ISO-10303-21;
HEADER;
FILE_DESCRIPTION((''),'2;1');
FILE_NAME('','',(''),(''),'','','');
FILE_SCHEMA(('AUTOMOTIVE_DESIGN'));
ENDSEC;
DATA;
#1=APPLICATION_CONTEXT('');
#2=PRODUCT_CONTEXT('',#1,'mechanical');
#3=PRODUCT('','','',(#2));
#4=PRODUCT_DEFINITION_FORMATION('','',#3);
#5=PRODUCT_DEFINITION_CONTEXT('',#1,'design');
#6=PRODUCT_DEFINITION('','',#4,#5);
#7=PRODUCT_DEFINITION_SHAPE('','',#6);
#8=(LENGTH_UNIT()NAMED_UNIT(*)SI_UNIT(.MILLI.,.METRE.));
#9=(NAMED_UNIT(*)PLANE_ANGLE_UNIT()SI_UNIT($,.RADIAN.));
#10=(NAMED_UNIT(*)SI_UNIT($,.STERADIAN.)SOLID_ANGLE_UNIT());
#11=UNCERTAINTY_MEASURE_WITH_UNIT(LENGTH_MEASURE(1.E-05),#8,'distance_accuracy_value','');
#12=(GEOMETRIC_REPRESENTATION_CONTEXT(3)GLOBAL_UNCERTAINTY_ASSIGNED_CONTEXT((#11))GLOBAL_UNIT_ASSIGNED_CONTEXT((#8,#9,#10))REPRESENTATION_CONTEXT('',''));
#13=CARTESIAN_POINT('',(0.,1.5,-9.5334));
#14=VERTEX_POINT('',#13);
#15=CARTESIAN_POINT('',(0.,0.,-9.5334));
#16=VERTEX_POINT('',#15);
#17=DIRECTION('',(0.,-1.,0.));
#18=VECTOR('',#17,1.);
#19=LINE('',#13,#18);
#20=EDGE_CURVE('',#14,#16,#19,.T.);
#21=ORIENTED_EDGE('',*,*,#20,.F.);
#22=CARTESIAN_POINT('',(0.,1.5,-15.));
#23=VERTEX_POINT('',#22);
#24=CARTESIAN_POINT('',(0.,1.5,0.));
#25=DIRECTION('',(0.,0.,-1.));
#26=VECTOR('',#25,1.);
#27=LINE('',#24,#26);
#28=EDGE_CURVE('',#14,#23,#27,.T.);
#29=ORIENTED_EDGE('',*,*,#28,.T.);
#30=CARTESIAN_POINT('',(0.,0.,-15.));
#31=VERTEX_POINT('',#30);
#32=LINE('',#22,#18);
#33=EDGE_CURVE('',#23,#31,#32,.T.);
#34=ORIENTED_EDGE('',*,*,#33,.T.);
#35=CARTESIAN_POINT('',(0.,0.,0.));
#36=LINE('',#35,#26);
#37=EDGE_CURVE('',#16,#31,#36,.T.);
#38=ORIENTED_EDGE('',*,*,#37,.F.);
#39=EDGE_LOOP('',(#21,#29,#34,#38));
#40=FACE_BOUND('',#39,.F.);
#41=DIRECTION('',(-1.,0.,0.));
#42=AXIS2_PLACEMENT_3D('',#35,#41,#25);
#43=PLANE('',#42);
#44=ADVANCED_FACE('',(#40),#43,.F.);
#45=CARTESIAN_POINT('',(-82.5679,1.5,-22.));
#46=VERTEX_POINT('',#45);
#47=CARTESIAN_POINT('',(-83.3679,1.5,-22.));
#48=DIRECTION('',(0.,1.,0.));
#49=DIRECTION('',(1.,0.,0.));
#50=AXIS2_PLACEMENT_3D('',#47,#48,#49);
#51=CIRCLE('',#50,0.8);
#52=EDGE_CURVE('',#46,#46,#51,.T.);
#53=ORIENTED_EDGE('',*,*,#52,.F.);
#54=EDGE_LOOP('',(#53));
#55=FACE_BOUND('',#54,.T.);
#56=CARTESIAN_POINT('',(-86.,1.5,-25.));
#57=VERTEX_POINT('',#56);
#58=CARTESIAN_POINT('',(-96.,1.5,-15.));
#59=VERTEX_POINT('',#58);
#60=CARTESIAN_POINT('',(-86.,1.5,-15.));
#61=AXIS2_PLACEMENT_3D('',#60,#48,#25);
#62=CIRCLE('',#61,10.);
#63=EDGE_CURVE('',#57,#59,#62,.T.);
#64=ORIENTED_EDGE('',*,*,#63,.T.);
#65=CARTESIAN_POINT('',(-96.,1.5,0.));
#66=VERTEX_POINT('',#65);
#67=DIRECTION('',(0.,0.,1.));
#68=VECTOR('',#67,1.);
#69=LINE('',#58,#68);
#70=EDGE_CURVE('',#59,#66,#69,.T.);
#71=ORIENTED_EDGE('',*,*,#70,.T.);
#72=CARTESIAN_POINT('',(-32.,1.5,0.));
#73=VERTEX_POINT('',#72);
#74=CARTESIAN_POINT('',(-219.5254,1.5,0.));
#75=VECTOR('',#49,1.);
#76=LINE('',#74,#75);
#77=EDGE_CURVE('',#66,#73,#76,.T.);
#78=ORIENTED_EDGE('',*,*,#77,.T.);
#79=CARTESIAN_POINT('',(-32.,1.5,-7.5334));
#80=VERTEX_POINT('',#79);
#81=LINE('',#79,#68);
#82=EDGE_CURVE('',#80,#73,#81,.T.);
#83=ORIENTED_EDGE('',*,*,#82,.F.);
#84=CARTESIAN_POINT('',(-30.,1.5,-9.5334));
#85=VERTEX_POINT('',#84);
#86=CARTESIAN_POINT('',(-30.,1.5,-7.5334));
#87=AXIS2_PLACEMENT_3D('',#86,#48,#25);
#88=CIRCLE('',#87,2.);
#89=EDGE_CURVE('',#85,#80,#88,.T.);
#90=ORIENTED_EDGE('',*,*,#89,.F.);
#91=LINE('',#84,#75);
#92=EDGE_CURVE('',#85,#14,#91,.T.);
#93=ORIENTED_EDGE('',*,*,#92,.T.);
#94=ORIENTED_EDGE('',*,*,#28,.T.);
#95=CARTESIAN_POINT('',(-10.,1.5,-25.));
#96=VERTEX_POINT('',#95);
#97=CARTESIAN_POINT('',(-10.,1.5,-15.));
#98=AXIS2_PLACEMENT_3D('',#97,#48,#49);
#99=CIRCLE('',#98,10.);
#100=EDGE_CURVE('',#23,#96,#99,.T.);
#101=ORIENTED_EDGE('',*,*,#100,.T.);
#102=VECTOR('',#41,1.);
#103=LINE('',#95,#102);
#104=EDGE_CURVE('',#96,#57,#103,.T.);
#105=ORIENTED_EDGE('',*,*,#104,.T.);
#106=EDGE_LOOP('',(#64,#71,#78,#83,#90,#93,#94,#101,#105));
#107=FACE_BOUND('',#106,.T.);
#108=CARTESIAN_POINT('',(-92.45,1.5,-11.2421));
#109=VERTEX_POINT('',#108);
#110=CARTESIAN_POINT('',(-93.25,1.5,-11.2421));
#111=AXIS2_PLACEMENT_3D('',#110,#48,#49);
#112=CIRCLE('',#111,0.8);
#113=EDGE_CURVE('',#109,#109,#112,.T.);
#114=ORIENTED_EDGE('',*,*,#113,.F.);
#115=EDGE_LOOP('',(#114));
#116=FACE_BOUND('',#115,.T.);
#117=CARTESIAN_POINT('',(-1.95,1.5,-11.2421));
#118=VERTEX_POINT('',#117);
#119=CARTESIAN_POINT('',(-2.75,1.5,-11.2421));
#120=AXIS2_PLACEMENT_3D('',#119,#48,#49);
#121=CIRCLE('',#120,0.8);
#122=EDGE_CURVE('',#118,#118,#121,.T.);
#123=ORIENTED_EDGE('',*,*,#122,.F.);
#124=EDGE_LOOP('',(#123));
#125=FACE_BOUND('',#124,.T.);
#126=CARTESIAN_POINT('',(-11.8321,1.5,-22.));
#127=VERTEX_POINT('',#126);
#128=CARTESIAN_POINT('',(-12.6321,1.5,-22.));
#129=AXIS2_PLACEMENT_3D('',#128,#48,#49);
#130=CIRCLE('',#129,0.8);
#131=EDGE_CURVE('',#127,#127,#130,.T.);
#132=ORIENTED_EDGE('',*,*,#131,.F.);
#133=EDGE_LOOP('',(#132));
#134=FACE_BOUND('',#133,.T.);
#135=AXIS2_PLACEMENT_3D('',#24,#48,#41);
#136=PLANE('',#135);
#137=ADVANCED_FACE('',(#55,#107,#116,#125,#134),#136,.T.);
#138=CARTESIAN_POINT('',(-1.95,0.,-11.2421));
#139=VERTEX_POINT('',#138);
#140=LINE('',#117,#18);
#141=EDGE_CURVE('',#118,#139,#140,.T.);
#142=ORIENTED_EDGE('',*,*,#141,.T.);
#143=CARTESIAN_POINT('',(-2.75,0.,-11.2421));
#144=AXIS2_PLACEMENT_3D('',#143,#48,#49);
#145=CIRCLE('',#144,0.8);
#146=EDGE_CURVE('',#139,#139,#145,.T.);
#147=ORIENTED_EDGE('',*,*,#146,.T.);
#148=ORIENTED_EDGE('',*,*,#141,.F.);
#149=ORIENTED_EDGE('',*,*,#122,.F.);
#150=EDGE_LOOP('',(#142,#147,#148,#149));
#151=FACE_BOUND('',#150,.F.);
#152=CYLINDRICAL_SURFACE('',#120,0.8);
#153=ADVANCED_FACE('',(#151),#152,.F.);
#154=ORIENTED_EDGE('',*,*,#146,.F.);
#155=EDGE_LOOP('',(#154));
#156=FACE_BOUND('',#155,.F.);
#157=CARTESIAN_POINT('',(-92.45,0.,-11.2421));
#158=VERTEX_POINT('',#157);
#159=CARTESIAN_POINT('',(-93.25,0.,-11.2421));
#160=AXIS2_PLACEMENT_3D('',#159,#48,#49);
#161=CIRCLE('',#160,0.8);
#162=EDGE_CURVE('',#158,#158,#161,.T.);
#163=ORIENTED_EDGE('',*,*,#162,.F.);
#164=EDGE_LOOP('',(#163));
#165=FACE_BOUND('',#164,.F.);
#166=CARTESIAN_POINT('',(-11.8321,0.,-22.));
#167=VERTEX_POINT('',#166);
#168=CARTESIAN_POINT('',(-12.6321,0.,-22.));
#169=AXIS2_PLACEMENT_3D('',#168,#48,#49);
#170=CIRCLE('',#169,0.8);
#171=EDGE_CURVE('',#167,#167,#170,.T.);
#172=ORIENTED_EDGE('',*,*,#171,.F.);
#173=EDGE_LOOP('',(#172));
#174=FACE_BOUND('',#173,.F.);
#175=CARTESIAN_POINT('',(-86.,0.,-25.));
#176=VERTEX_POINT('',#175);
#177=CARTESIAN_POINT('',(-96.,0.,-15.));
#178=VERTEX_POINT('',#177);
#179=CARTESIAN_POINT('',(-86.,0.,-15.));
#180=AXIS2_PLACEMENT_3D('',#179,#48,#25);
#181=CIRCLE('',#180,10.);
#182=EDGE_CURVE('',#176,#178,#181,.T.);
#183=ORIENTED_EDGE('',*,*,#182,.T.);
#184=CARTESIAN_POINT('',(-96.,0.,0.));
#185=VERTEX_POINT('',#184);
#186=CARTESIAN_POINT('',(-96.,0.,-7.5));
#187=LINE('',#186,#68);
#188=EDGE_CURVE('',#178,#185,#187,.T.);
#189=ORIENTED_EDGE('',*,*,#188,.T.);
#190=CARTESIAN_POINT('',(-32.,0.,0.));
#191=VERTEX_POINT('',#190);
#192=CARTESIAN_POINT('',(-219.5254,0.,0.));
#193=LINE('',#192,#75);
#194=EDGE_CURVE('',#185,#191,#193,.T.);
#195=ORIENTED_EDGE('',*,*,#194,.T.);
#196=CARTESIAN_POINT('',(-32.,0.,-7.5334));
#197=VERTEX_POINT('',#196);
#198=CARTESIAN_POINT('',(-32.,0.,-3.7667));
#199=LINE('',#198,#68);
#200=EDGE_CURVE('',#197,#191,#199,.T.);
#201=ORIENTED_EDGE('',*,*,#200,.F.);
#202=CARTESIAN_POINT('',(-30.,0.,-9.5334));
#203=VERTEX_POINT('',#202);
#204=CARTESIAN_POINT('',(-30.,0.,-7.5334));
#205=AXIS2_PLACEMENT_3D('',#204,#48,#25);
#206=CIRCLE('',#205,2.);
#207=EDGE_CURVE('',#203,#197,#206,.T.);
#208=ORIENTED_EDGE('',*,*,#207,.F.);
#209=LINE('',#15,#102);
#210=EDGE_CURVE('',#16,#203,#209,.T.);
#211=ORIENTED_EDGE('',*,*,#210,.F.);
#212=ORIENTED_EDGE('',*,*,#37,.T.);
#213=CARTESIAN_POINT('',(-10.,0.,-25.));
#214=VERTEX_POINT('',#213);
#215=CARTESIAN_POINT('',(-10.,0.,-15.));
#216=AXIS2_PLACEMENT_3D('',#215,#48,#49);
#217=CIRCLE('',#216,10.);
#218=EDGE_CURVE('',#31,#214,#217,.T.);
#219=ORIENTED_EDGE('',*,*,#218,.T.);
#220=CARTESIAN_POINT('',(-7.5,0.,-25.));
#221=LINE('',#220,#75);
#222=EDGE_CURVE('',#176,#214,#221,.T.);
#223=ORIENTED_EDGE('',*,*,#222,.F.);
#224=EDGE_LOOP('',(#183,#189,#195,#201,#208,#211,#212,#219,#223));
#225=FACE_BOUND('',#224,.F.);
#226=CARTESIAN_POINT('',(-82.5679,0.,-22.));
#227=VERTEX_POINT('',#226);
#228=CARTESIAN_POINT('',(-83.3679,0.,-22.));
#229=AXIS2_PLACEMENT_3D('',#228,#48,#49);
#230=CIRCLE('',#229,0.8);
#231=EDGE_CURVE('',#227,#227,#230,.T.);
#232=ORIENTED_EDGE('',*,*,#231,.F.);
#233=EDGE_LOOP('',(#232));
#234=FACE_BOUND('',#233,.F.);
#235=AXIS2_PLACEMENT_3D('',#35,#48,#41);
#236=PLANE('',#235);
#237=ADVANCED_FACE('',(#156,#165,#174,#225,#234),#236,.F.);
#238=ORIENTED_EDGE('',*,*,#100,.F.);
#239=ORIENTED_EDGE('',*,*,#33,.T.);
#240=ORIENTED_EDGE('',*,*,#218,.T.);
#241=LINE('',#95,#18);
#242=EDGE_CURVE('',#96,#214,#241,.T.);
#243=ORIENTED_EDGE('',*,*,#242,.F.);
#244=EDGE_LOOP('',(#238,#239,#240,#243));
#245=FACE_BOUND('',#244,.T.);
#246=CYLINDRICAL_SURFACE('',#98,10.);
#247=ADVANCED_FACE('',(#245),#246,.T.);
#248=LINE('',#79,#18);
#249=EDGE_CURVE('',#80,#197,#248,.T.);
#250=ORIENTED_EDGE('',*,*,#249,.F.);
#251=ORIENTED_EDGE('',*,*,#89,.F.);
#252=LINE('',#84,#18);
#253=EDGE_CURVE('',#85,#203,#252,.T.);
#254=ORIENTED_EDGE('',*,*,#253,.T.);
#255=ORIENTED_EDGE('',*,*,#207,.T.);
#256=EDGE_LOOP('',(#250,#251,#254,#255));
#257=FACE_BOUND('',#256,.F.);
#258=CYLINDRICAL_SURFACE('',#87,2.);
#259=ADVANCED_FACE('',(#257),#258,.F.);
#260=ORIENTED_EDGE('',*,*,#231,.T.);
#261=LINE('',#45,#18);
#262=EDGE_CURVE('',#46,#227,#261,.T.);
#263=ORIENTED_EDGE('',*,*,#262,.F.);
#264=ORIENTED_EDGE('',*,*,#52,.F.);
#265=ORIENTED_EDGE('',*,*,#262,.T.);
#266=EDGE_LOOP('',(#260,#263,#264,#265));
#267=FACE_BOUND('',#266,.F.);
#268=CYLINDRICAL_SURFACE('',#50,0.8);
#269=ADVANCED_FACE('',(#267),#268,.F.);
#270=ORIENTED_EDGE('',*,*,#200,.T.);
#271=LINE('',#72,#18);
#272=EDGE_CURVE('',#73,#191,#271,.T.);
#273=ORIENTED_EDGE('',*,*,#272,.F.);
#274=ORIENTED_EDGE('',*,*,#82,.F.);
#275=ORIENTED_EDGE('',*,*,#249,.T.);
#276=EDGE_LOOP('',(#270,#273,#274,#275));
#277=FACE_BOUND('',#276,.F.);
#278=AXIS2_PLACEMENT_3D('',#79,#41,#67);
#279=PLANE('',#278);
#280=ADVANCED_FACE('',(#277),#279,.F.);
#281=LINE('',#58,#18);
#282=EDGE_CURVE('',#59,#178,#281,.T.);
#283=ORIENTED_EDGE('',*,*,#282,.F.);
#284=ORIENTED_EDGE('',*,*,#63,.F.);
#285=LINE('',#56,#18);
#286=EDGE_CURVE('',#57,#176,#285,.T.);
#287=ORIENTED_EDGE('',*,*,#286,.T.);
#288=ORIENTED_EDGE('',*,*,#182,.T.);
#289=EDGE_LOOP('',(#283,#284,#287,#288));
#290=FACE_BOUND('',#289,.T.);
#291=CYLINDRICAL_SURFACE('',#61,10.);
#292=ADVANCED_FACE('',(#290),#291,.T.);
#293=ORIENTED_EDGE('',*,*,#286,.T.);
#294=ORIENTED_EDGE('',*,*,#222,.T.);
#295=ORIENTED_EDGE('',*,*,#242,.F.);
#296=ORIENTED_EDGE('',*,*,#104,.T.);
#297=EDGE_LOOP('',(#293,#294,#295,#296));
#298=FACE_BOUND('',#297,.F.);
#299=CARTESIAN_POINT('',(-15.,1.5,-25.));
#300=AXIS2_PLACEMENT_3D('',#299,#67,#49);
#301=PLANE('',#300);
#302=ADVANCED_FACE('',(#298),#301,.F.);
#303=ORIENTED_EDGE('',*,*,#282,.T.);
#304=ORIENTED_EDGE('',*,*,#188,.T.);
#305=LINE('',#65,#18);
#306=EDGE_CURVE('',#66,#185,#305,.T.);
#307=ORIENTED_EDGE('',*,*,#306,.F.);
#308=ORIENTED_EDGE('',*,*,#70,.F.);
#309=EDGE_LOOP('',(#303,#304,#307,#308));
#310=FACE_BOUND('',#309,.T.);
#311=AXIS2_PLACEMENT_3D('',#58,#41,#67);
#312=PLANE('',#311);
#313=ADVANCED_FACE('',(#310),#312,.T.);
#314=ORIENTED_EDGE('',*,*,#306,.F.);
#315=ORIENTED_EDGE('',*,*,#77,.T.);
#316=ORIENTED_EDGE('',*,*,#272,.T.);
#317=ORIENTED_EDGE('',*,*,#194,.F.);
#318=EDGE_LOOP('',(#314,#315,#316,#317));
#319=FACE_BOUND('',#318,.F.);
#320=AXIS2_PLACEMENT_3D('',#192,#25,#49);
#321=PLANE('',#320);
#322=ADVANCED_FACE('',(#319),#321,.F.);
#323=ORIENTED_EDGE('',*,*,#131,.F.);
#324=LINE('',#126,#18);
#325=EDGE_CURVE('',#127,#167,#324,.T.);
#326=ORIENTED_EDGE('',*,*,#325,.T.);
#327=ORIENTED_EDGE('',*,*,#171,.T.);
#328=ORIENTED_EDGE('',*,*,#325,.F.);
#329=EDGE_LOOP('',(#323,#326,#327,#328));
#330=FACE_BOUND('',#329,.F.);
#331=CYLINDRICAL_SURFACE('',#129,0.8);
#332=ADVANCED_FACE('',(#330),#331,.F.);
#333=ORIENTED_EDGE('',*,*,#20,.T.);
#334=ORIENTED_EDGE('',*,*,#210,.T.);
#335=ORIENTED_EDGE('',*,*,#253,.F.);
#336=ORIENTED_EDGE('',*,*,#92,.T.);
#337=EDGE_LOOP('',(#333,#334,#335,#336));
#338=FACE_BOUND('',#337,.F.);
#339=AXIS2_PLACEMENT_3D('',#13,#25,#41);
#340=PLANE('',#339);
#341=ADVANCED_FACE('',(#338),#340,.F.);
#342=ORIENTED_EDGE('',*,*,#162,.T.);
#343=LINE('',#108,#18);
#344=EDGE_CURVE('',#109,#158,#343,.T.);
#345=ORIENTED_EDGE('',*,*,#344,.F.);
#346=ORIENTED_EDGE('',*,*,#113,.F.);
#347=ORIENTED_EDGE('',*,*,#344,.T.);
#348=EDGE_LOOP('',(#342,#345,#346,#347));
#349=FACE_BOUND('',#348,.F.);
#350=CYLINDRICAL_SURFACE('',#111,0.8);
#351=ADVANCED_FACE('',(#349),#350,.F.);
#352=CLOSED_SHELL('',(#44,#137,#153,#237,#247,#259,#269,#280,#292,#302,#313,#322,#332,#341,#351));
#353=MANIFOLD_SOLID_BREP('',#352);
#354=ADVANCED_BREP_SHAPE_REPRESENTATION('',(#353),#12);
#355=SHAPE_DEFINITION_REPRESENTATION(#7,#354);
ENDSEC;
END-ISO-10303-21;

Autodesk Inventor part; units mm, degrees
ref_plane "YZ Plane" through (0, 0, 0) normal (1, 0, 0) x (0, 1, 0)
ref_plane "XZ Plane" through (0, 0, 0) normal (0, 1, 0) x (-1, 0, 0)
ref_plane "XY Plane" through (0, 0, 0) normal (0, 0, 1) x (1, 0, 0)
sketch "スケッチ1" plane through (0, 0, 0) normal (0, 1, 0) x (-1, 0, 0)
  line L0 (219.5254, 0) -> (0, 0)
  line L1 (0, 0) -> (0, -189.1417)
  line L2 (0, -189.1417) -> (219.5254, -189.1417)
  line L3 (219.5254, -189.1417) -> (219.5254, 0)
extrude "押し出し1" add sketch "スケッチ1" along normal blind 1.5
sketch "スケッチ2" plane through (0, 1.5, 0) normal (0, 1, 0) x (1, 0, 0)
  line L0 (-5.5, 10.4426) -> (-5.5, 0) projected
  line L1 (-5.5, 0) -> (0, 0) projected
  line L2 (0, 15) -> (0, 0) projected
  arc A0 (0, 15) -> (-10, 25) centre (-10, 15) ccw projected
  line L3 (-15, 25) -> (-10, 25) projected
  line L4 (-15, 25) -> (-15, 18) projected
  line L5 (-15, 18) -> (-5.5, 18) projected
  line L6 (-5.5, 18) -> (-5.5, 12.0415) projected
  arc A1 (-5.5, 10.4426) -> (-5.5, 12.0415) centre (-5.4702, 11.2421) ccw projected
  circle A2 centre (-12.6321, 22) radius 0.8 projected
  circle A3 centre (-83.3679, 22) radius 0.8 projected
  line L7 (-90.5, 0) -> (-90.5, 10.4426) projected
  arc A4 (-90.5, 12.0415) -> (-90.5, 10.4426) centre (-90.5298, 11.2421) ccw projected
  line L8 (-90.5, 12.0415) -> (-90.5, 18) projected
  line L9 (-90.5, 18) -> (-81, 18) projected
  line L10 (-81, 25) -> (-81, 18) projected
  line L11 (-81, 25) -> (-86, 25) projected
  arc A5 (-86, 25) -> (-96, 15) centre (-86, 15) ccw projected
  line L12 (-96, 15) -> (-96, 0) projected
  line L13 (-90.5, 0) -> (-96, 0) projected
  line L14 (-81, 25) -> (-15, 25)
  line L15 (-90.5, 0) -> (-5.5, 0)
  line L16 (-219.5254, 0) -> (0, 0) projected
  line L17 (0, 0) -> (0, 189.1417) projected
  line L18 (0, 189.1417) -> (-219.5254, 189.1417) projected
  line L19 (-219.5254, 189.1417) -> (-219.5254, 0) projected
  line L20 (-219.5254, 0) -> (0, 0) projected
  circle A6 centre (-93.25, 11.2421) radius 0.8
  circle A7 centre (-2.75, 11.2421) radius 0.8
  ellipse E0 centre (-7.5, 6.5336) end of major axis (-5.5, 6.5336) minor radius 1.9999 (-5.5, 6.5336) -> (-7.5, 8.5334) ccw projected
  line L21 (-7.5, 8.5334) -> (-29, 8.5334) projected
  ellipse E1 centre (-29, 6.5336) end of major axis (-27, 6.5336) minor radius 1.9999 (-29, 8.5334) -> (-31, 6.5336) ccw projected
  line L22 (-31, 6.5336) -> (-31, -8.9653) projected
  ellipse E2 centre (-29, -8.9653) end of major axis (-31, -8.9653) minor radius 1.9999 (-31, -8.9653) -> (-29, -10.9652) ccw projected
  line L23 (-29, -10.9652) -> (-1.5, -10.9652) projected
  line L24 (-1.5, -1.4659) -> (-1.5, -10.9652) projected
  line L25 (-5.5, -1.4659) -> (-1.5, -1.4659) projected
  line L26 (-5.5, -1.4659) -> (-5.5, 6.5336) projected
  line L27 (-9.5, -7.9654) -> (-28, -7.9654) projected
  line L28 (-28, -7.9654) -> (-28, 5.5336) projected
  line L29 (-28, 5.5336) -> (-9.5, 5.5336) projected
  line L30 (-9.5, 5.5336) -> (-9.5, -7.9654) projected
  line L31 (-32, 0) -> (0, 0)
  line L32 (0, 0) -> (0, 9.5334)
  line L33 (0, 9.5334) -> (-30, 9.5334)
  line L34 (-32, 7.5334) -> (-32, 0)
  arc A8 (-30, 9.5334) -> (-32, 7.5334) centre (-30, 7.5334) ccw
  point P0 (-2.75, 0)
  point P1 (-93.25, 0)
  dimension "d4" = 1.6
  dimension "d5" = 1.6
  dimension "d6" = 1
  dimension "d7" = 1
  dimension "d8" = 2
extrude "押し出し2" cut sketch "スケッチ2" against normal through all contours L0 L33 L2 L1 | E0 L21 E1 L22 L15 L34 A8 L33 L0 | L0 L15 L30 L29 L28 L22 E1 L21 E0 | L15 L28 L29 L30 | A0 L3 L14 L11 A5 L12 L16 L19 L18 L17 | A2 | A3 | A6 | A7
properties part number "chest_cover_upper"
